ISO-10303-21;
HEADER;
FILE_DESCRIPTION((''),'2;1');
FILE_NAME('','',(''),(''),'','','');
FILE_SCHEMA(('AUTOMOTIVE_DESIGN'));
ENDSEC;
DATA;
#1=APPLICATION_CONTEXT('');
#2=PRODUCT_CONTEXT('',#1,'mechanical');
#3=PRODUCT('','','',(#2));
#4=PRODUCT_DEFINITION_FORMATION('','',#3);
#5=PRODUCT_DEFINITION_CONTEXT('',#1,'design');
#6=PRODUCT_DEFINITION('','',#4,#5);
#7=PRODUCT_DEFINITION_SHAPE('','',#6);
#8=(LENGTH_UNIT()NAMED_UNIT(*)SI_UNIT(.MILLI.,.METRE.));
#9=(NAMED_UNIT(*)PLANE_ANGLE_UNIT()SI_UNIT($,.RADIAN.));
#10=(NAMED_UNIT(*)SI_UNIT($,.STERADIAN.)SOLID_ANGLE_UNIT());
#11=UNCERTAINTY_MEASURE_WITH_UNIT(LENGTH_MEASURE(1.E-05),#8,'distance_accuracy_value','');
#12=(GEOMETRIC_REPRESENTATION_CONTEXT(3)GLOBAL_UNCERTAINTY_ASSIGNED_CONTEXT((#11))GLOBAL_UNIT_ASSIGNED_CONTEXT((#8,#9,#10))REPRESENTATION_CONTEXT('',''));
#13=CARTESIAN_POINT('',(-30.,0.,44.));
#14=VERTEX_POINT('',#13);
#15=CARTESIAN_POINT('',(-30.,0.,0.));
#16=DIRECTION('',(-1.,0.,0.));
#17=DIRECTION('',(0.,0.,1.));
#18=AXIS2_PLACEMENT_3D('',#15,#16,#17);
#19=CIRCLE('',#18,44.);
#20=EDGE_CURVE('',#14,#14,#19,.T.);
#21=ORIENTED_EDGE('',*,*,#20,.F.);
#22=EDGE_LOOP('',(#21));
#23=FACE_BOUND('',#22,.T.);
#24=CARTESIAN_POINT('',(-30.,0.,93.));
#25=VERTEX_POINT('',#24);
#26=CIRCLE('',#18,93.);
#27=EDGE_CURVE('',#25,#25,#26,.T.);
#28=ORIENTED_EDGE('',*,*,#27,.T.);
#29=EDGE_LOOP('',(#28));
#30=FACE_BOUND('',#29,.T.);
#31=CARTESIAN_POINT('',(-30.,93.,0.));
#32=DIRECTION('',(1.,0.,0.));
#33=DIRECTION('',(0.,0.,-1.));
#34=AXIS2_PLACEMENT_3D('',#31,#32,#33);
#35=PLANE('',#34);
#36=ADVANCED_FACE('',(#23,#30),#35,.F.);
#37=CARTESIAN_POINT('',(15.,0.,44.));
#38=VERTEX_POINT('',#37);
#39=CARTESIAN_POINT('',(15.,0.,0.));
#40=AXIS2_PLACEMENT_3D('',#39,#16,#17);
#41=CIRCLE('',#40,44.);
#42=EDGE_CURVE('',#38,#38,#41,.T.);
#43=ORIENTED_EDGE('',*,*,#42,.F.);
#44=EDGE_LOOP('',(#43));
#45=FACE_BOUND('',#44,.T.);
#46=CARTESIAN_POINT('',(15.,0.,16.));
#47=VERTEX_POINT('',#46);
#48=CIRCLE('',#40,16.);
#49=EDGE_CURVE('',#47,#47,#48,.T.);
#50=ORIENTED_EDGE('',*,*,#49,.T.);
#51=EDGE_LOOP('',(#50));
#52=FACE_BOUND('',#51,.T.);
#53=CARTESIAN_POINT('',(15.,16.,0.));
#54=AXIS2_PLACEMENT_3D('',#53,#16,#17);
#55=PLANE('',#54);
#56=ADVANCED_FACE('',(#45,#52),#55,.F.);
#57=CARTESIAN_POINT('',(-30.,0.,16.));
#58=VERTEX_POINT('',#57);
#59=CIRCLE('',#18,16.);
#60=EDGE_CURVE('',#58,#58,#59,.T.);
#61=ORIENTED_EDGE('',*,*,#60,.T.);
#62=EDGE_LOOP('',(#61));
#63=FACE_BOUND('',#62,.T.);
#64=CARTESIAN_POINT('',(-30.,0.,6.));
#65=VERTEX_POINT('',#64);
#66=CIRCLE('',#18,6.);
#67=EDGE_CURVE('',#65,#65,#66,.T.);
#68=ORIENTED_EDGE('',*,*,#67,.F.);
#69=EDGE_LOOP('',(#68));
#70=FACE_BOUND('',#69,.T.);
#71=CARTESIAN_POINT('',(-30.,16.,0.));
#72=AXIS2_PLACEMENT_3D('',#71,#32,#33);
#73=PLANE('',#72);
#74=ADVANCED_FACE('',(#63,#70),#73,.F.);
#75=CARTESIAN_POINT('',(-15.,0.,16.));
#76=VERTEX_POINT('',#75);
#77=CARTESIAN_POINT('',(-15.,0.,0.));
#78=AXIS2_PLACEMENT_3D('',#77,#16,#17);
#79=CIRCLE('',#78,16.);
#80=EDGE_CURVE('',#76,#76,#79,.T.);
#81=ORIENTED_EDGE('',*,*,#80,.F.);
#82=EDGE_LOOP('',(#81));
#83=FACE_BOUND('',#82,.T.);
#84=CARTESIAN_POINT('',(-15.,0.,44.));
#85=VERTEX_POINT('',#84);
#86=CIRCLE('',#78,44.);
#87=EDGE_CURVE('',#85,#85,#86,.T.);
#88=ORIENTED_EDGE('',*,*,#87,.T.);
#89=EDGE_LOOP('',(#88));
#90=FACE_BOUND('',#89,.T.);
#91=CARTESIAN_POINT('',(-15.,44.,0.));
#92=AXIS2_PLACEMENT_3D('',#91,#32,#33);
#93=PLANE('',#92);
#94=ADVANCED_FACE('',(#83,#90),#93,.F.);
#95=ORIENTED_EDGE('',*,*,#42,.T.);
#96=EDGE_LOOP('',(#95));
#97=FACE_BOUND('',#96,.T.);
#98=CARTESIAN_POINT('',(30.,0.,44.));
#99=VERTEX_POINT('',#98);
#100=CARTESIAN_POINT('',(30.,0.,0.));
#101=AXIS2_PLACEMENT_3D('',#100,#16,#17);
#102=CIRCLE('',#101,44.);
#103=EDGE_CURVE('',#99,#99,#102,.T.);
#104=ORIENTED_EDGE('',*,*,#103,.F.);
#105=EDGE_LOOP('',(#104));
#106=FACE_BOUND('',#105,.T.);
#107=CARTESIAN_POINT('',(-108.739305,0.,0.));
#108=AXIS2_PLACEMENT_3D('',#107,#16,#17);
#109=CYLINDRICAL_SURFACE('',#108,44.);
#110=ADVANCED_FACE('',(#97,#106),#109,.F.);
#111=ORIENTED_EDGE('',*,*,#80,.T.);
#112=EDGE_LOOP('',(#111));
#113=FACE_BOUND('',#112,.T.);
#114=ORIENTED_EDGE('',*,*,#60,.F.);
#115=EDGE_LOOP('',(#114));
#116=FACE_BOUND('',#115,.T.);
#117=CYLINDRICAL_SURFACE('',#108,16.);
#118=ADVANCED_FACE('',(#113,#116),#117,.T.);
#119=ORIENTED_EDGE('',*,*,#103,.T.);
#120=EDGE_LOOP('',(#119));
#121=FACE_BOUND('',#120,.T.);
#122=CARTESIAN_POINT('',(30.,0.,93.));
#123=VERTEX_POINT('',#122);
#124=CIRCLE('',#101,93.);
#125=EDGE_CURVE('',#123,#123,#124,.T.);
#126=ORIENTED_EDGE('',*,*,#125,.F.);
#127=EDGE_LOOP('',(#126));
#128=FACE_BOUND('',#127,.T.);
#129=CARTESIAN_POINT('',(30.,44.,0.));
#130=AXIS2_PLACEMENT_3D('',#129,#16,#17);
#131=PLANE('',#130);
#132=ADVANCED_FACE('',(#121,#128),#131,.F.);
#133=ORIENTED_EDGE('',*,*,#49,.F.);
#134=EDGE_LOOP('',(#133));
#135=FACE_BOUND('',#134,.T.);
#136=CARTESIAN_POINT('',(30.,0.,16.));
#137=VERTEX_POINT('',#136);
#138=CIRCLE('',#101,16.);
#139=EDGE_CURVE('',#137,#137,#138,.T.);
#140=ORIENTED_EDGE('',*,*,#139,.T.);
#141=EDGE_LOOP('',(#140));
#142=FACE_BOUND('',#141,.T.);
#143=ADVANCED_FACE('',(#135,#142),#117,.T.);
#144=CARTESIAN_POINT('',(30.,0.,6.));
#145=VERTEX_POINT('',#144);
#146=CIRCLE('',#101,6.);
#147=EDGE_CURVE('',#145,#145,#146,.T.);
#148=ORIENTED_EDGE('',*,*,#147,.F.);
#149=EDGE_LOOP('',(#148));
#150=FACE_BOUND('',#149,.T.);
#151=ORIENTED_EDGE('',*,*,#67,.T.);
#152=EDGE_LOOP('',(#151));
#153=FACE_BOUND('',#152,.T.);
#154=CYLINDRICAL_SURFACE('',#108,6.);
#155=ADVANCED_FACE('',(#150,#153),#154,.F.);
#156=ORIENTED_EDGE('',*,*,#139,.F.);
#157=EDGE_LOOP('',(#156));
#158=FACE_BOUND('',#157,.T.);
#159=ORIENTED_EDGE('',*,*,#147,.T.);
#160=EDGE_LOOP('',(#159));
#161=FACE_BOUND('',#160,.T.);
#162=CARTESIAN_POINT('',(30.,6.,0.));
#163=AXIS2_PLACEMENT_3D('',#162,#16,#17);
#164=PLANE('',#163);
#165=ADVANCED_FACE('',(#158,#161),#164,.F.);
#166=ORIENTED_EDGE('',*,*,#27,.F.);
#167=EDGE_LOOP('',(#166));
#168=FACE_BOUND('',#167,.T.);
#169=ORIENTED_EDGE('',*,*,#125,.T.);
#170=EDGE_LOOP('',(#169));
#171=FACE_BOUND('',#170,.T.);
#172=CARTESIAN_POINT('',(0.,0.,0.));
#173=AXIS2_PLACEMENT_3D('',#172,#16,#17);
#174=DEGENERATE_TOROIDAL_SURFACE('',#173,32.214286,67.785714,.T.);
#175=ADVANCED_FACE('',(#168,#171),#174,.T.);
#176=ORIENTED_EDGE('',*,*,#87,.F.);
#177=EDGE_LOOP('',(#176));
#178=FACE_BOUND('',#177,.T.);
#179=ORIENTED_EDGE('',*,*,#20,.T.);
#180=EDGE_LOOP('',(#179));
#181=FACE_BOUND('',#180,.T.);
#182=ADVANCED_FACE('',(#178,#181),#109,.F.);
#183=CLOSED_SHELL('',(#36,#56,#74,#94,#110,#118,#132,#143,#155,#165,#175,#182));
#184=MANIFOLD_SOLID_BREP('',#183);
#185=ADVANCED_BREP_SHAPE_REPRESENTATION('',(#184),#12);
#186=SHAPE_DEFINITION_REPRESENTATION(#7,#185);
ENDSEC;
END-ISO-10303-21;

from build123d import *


with BuildPart() as part:
    # Sketch2 → Revolve1 (revolve)
    with BuildSketch(Plane.XY, mode=Mode.PRIVATE) as revolve1_sk:
        with BuildLine():
            Line((-30, 6), (30, 6))
            Line((30, 6), (30, 16))
            Line((30, 16), (15, 16))
            Line((15, 16), (15, 44))
            Line((15, 44), (30, 44))
            Line((30, 44), (30, 93))
            ThreePointArc((30, 93), (0, 100), (-30, 93))
            Line((-30, 93), (-30, 44))
            Line((-30, 44), (-15, 44))
            Line((-15, 44), (-15, 16))
            Line((-15, 16), (-30, 16))
            Line((-30, 16), (-30, 6))
        make_face()
    revolve(revolve1_sk.sketch.rotate(Axis((-108.739304751, 0, 0), (1, 0, 0)), 90), axis=Axis((-108.739304751, 0, 0), (1, 0, 0)))


solid = part.part
